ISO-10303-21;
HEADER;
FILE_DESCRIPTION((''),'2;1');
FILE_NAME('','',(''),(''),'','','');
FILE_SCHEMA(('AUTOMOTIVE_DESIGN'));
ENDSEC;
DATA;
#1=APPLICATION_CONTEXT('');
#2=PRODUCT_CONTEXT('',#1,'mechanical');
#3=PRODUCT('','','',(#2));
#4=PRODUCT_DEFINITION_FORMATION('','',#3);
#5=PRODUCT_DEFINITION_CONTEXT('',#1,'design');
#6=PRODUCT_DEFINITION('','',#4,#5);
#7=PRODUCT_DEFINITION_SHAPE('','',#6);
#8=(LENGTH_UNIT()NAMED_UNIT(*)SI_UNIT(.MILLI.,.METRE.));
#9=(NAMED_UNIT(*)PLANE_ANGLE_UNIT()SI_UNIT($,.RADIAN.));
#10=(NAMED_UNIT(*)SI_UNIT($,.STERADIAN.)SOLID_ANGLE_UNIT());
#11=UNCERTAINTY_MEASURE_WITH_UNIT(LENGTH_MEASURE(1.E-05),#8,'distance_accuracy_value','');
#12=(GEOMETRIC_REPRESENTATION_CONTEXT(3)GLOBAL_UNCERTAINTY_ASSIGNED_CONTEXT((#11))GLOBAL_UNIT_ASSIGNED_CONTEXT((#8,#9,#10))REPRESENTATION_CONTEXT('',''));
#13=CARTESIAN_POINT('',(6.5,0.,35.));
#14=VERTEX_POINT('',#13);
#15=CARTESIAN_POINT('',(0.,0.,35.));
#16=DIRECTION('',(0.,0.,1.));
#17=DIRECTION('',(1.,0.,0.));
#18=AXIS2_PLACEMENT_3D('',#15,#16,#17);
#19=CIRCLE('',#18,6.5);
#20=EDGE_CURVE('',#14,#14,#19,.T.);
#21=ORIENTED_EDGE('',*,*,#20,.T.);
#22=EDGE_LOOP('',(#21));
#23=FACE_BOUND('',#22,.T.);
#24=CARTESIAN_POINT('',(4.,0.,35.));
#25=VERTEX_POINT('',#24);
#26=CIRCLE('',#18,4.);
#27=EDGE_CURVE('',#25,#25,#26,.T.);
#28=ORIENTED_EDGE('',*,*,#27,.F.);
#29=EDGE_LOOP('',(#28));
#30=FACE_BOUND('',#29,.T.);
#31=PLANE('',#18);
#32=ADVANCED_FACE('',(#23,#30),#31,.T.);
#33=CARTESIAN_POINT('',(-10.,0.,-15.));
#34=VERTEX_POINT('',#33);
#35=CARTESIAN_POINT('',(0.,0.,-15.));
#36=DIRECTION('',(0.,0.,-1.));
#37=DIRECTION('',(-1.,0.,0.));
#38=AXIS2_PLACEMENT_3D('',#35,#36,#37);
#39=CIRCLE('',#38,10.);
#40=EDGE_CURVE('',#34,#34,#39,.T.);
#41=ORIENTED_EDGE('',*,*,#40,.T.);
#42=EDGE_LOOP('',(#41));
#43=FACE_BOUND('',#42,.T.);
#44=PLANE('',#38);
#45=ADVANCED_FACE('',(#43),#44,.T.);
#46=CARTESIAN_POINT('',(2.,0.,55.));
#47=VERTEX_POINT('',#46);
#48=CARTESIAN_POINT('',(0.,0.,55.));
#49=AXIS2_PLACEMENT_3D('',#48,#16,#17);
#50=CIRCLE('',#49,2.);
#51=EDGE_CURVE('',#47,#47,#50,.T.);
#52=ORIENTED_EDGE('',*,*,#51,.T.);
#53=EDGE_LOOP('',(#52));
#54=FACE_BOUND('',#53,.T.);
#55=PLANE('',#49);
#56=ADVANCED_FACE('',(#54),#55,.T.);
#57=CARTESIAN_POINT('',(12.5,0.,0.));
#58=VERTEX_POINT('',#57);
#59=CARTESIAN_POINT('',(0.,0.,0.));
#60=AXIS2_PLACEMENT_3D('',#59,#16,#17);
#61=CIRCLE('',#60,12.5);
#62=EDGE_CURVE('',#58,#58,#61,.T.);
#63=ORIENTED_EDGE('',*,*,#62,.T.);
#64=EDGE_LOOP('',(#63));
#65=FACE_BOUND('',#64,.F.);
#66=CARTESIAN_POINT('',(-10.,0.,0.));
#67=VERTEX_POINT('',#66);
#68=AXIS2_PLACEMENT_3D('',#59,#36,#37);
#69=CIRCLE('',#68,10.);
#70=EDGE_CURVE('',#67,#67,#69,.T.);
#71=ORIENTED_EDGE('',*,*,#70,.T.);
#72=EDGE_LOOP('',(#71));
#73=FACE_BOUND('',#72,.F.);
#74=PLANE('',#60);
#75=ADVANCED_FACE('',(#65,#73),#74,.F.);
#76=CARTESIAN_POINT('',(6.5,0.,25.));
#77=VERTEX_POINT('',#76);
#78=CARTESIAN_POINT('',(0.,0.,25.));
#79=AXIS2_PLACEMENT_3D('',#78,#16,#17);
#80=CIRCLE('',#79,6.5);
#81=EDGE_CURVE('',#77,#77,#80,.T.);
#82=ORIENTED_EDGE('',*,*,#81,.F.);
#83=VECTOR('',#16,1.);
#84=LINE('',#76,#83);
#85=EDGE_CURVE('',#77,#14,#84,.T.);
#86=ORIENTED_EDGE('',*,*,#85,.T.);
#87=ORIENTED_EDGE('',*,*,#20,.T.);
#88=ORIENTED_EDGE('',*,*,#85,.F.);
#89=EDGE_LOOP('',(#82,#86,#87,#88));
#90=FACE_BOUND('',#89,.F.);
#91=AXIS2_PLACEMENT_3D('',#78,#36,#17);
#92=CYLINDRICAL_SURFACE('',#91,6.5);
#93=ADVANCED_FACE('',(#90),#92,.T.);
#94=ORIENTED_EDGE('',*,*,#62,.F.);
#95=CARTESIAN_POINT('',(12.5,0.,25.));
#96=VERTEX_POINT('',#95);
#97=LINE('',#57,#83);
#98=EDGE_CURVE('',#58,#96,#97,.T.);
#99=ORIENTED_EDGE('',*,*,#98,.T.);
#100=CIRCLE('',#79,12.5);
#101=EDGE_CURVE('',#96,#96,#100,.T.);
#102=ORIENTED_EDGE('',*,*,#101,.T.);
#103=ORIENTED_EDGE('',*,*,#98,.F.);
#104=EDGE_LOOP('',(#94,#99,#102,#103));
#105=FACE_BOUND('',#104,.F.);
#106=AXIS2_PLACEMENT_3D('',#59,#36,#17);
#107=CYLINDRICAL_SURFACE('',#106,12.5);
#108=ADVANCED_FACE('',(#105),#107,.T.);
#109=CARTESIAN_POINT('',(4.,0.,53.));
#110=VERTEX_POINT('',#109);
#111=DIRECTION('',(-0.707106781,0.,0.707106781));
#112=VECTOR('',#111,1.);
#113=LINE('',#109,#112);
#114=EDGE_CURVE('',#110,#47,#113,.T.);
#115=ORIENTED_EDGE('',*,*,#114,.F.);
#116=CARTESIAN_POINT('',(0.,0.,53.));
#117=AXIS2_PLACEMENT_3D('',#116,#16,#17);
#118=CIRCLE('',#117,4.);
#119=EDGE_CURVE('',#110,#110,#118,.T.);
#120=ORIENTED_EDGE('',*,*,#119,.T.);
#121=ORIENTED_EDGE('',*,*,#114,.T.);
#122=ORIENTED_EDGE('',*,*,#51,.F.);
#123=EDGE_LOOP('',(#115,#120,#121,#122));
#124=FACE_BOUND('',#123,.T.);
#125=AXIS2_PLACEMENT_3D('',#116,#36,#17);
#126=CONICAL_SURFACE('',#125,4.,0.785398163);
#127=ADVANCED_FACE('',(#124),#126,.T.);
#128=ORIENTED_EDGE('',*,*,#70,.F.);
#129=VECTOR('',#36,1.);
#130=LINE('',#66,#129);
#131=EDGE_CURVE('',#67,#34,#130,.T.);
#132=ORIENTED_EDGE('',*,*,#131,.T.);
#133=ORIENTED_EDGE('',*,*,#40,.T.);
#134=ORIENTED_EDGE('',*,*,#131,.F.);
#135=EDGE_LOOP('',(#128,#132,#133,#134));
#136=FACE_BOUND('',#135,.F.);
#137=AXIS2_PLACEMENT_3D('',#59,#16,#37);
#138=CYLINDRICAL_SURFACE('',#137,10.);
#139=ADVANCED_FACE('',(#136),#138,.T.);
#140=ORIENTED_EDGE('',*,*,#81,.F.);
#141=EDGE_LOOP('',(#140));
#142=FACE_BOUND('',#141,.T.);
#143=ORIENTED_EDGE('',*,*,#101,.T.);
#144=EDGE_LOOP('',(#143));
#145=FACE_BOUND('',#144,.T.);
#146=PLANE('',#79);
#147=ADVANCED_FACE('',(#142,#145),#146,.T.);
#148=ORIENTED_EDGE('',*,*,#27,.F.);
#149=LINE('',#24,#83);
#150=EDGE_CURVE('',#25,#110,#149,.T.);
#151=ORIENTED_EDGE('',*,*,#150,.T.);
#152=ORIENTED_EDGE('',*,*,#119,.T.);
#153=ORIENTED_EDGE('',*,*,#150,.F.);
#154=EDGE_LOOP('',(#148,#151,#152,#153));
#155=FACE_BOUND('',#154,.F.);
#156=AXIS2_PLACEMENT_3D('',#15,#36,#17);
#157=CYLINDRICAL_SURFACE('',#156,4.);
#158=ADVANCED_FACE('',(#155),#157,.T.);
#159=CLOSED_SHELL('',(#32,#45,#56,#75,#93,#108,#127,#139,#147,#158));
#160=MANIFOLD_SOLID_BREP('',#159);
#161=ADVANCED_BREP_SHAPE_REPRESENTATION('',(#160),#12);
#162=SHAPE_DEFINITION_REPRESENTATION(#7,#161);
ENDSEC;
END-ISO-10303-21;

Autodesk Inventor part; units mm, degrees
ref_plane "YZ Plane" through (0, 0, 0) normal (1, 0, 0) x (0, 1, 0)
ref_plane "XZ Plane" through (0, 0, 0) normal (0, 1, 0) x (-1, 0, 0)
ref_plane "XY Plane" through (0, 0, 0) normal (0, 0, 1) x (1, 0, 0)
sketch "Sketch1" plane through (0, 0, 0) normal (0, 0, 1) x (1, 0, 0)
  circle A0 centre (0, 0) radius 12.5
  dimension "d0" = 25
extrude "Extrusion1" add sketch "Sketch1" along normal blind 25
sketch "Sketch2" plane through (0, 0, 25) normal (0, 0, 1) x (1, 0, 0)
  circle A0 centre (0, 0) radius 6.5
  dimension "d3" = 13
extrude "Extrusion2" add sketch "Sketch2" along normal blind 10
sketch "Sketch3" plane through (0, 0, 35) normal (0, 0, 1) x (1, 0, 0)
  circle A0 centre (0, 0) radius 4
  dimension "d6" = 8
extrude "Extrusion3" add sketch "Sketch3" along normal blind 20
chamfer "Chamfer1" distance 2 angle 45 1 edges at (-4, 0, 55)
sketch "Sketch4" plane through (0, 0, 0) normal (0, 0, -1) x (-1, 0, 0)
  circle A0 centre (0, 0) radius 10
  dimension "d12" = 20
extrude "Extrusion4" add sketch "Sketch4" along normal blind 15
thread "Thread1" size "M14x2" class "6g" standard "ANSI Metric M Profile" full length
properties part number "dc motor"
